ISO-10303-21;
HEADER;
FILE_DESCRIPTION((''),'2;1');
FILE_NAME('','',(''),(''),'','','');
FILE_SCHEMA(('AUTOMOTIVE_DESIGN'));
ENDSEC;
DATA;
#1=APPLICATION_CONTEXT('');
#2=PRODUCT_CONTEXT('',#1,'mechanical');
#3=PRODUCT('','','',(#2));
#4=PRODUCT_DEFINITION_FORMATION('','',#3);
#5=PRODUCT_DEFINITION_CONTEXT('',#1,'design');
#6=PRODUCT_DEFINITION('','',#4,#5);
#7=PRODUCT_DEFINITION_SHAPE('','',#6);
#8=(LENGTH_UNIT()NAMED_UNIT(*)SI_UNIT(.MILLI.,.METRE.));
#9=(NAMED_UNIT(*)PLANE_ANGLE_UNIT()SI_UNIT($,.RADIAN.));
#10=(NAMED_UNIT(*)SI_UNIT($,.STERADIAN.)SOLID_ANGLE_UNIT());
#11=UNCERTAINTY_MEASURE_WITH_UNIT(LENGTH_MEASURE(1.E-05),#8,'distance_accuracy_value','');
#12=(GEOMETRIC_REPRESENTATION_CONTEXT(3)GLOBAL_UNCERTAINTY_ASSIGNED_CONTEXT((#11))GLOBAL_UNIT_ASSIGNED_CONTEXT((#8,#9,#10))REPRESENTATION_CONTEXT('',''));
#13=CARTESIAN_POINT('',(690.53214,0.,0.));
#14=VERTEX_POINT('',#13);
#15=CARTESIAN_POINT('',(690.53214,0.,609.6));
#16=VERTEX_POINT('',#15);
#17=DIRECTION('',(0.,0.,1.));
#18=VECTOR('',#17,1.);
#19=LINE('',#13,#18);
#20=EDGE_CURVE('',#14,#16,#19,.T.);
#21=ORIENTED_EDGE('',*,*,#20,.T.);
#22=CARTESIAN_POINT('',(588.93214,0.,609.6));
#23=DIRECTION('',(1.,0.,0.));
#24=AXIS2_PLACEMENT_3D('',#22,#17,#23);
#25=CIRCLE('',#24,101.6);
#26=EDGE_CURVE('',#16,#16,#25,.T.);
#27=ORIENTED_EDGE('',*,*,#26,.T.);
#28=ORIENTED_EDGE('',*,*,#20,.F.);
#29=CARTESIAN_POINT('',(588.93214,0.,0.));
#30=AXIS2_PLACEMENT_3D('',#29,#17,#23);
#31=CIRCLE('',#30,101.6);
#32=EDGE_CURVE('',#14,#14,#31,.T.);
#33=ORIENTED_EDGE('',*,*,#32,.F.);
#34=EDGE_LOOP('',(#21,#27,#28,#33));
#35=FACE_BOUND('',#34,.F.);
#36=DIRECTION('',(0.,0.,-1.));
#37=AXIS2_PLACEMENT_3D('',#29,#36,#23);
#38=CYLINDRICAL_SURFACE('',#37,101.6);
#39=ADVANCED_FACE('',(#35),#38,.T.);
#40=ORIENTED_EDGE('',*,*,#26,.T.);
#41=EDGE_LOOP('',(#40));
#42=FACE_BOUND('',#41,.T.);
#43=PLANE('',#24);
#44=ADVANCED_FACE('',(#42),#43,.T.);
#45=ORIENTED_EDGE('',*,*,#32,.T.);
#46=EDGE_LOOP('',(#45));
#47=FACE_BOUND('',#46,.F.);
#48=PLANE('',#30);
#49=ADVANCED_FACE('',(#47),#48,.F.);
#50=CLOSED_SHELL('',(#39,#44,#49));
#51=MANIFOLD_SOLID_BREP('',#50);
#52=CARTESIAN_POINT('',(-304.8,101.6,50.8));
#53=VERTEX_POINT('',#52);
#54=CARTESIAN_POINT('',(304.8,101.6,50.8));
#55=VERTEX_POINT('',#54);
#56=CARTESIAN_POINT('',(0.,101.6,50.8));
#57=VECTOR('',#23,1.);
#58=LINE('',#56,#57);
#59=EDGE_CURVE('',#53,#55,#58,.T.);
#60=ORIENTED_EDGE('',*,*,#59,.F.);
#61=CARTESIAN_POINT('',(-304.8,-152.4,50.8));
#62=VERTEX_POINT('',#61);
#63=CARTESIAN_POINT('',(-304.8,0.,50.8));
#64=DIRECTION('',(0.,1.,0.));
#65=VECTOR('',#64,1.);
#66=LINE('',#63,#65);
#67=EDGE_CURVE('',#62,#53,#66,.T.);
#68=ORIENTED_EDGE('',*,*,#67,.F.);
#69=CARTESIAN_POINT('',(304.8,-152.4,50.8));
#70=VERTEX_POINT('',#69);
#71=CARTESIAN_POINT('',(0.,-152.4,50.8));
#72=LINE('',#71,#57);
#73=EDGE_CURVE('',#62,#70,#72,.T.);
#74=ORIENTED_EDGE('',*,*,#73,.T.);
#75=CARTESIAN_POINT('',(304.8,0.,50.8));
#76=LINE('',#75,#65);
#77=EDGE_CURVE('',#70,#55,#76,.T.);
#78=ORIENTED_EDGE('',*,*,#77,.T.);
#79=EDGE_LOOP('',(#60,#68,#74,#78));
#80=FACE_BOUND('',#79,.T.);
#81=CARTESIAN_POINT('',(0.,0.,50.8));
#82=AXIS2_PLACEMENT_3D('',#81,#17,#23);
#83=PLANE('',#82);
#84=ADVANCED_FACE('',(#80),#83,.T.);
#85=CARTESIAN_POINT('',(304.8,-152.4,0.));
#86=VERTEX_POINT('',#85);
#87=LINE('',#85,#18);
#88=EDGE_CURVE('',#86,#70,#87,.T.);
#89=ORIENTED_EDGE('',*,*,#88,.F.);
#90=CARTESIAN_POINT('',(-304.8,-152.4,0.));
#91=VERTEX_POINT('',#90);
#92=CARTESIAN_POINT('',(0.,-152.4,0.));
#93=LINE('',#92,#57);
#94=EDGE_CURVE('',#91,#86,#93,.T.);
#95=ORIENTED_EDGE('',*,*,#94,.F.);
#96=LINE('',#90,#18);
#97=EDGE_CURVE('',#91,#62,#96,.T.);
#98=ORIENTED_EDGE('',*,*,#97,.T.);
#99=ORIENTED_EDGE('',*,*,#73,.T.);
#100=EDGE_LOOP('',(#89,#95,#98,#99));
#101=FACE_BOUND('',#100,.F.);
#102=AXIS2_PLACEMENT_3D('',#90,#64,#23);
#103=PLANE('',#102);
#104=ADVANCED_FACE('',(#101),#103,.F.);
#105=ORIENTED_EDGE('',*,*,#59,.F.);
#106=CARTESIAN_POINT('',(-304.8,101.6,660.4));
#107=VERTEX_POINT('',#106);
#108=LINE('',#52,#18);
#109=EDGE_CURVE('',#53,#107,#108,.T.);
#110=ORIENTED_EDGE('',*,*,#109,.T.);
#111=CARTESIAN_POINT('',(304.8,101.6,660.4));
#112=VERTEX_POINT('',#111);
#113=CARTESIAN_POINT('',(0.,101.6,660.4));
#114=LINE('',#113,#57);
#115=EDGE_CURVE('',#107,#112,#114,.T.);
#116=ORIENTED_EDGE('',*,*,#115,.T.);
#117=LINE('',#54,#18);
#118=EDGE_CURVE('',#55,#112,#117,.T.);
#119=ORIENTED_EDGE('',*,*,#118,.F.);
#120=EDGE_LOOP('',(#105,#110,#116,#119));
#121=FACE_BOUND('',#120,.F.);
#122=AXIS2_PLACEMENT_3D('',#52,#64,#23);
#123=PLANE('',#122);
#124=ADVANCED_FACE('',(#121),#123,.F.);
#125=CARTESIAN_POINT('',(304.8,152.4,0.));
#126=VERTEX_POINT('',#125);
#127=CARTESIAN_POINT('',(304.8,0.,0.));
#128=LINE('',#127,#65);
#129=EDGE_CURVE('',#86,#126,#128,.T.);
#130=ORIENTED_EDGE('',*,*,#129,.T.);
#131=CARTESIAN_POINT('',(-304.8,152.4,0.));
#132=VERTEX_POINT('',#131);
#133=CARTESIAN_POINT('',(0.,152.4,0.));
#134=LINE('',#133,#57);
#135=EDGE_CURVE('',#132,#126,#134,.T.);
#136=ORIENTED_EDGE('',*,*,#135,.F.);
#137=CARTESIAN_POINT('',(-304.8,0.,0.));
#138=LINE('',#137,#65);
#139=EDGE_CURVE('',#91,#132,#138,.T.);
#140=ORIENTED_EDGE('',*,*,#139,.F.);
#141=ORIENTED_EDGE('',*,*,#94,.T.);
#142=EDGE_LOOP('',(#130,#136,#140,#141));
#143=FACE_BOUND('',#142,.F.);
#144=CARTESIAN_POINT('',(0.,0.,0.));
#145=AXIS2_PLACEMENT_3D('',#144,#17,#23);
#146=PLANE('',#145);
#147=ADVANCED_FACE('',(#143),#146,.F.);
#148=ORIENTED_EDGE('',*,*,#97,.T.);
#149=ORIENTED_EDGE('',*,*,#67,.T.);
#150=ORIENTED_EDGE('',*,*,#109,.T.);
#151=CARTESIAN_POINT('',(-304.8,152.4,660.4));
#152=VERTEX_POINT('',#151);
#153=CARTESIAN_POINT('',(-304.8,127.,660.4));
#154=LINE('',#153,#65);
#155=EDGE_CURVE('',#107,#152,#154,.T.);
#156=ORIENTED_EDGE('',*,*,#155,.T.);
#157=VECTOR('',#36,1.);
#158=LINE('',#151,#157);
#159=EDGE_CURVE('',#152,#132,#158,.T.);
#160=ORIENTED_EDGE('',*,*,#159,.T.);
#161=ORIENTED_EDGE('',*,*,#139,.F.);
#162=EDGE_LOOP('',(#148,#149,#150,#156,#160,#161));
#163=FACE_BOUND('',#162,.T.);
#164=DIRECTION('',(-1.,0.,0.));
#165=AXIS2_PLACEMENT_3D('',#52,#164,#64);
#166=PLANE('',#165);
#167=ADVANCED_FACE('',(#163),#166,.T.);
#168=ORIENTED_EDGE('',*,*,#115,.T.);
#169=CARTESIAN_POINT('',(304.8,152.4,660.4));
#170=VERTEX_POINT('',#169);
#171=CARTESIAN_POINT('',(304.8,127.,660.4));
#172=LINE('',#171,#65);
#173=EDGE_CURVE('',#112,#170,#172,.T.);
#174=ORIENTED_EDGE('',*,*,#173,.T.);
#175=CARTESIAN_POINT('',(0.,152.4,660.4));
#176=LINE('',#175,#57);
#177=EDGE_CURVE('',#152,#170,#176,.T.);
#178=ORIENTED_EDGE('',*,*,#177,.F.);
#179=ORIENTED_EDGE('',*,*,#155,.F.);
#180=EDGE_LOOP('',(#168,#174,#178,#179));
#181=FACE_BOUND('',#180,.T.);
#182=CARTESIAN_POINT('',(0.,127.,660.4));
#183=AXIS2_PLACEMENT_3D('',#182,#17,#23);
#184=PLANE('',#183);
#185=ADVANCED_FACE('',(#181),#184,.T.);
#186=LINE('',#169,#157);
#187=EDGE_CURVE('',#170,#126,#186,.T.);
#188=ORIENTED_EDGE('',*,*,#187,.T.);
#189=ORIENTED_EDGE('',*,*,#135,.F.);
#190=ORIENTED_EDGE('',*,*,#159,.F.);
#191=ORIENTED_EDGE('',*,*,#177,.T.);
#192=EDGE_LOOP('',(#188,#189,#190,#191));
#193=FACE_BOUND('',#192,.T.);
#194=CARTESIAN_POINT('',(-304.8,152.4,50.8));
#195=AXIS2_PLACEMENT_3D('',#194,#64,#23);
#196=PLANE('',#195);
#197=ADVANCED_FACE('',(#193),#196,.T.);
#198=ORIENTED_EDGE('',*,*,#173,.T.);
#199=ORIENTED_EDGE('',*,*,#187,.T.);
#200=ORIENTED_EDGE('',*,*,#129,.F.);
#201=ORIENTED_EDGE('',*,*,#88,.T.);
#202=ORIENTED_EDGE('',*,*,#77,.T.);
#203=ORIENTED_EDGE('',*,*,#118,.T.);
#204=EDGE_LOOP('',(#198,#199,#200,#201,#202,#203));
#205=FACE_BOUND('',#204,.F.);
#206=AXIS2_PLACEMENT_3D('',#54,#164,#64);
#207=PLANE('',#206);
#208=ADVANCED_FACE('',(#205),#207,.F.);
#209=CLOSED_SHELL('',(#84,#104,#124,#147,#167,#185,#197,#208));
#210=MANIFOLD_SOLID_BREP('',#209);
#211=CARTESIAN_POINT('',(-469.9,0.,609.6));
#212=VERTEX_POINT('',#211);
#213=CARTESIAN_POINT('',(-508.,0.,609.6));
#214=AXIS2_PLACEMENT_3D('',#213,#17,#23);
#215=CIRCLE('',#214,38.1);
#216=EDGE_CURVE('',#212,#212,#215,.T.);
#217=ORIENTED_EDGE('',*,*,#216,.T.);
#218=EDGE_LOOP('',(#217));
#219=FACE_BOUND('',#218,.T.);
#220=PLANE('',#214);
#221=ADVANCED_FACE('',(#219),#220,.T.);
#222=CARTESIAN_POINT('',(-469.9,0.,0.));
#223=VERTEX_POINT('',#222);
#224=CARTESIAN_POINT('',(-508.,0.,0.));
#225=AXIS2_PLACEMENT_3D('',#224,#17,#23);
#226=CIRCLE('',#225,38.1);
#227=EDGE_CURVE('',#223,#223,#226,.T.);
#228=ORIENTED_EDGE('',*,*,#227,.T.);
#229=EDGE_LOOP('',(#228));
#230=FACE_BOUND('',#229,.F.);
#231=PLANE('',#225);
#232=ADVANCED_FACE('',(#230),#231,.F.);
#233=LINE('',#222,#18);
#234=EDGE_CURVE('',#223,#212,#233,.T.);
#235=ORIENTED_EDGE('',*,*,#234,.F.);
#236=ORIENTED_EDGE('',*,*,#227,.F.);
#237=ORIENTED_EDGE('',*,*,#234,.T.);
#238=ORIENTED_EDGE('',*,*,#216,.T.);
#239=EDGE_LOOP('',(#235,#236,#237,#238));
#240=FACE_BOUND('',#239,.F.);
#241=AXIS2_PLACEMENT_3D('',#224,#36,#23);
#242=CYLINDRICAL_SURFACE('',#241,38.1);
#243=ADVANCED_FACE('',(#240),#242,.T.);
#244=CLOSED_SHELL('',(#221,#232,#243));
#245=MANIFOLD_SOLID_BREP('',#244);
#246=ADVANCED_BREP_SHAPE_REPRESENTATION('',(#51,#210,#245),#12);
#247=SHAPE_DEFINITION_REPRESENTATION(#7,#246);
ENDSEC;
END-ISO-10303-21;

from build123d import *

# Parameters (mm, degrees)
F0_W     = 609.6
F0_H     = 304.8
F1_DEPTH = 50.8
F2_W     = 609.6
F2_H     = 50.8
F3_DEPTH = 609.6
F4_R     = 101.6
F5_DEPTH = 609.6
F6_R     = 38.1
F7_DEPTH = 609.6


with BuildPart() as f1:
    # F0 (on Top) → F1 (new body)
    with BuildSketch(Plane.XY):
        Rectangle(F0_W, F0_H)
    extrude(amount=F1_DEPTH)

    # F2 (on face) → F3 (join)
    with BuildSketch(Plane.XY.offset(50.8)):
        with Locations((0, 127)):
            Rectangle(F2_W, F2_H)
    extrude(amount=F3_DEPTH)


with BuildPart() as f5:
    # F4 (on Top) → F5 (new body)
    with BuildSketch(Plane.XY):
        with Locations((588.93214, 0)):
            Circle(F4_R)
    extrude(amount=F5_DEPTH)


with BuildPart() as f7:
    # F6 (on Top) → F7 (new body)
    with BuildSketch(Plane.XY):
        with Locations((-508, 0)):
            Circle(F6_R)
    extrude(amount=F7_DEPTH)


solid = Compound([f1.part, f5.part, f7.part])
